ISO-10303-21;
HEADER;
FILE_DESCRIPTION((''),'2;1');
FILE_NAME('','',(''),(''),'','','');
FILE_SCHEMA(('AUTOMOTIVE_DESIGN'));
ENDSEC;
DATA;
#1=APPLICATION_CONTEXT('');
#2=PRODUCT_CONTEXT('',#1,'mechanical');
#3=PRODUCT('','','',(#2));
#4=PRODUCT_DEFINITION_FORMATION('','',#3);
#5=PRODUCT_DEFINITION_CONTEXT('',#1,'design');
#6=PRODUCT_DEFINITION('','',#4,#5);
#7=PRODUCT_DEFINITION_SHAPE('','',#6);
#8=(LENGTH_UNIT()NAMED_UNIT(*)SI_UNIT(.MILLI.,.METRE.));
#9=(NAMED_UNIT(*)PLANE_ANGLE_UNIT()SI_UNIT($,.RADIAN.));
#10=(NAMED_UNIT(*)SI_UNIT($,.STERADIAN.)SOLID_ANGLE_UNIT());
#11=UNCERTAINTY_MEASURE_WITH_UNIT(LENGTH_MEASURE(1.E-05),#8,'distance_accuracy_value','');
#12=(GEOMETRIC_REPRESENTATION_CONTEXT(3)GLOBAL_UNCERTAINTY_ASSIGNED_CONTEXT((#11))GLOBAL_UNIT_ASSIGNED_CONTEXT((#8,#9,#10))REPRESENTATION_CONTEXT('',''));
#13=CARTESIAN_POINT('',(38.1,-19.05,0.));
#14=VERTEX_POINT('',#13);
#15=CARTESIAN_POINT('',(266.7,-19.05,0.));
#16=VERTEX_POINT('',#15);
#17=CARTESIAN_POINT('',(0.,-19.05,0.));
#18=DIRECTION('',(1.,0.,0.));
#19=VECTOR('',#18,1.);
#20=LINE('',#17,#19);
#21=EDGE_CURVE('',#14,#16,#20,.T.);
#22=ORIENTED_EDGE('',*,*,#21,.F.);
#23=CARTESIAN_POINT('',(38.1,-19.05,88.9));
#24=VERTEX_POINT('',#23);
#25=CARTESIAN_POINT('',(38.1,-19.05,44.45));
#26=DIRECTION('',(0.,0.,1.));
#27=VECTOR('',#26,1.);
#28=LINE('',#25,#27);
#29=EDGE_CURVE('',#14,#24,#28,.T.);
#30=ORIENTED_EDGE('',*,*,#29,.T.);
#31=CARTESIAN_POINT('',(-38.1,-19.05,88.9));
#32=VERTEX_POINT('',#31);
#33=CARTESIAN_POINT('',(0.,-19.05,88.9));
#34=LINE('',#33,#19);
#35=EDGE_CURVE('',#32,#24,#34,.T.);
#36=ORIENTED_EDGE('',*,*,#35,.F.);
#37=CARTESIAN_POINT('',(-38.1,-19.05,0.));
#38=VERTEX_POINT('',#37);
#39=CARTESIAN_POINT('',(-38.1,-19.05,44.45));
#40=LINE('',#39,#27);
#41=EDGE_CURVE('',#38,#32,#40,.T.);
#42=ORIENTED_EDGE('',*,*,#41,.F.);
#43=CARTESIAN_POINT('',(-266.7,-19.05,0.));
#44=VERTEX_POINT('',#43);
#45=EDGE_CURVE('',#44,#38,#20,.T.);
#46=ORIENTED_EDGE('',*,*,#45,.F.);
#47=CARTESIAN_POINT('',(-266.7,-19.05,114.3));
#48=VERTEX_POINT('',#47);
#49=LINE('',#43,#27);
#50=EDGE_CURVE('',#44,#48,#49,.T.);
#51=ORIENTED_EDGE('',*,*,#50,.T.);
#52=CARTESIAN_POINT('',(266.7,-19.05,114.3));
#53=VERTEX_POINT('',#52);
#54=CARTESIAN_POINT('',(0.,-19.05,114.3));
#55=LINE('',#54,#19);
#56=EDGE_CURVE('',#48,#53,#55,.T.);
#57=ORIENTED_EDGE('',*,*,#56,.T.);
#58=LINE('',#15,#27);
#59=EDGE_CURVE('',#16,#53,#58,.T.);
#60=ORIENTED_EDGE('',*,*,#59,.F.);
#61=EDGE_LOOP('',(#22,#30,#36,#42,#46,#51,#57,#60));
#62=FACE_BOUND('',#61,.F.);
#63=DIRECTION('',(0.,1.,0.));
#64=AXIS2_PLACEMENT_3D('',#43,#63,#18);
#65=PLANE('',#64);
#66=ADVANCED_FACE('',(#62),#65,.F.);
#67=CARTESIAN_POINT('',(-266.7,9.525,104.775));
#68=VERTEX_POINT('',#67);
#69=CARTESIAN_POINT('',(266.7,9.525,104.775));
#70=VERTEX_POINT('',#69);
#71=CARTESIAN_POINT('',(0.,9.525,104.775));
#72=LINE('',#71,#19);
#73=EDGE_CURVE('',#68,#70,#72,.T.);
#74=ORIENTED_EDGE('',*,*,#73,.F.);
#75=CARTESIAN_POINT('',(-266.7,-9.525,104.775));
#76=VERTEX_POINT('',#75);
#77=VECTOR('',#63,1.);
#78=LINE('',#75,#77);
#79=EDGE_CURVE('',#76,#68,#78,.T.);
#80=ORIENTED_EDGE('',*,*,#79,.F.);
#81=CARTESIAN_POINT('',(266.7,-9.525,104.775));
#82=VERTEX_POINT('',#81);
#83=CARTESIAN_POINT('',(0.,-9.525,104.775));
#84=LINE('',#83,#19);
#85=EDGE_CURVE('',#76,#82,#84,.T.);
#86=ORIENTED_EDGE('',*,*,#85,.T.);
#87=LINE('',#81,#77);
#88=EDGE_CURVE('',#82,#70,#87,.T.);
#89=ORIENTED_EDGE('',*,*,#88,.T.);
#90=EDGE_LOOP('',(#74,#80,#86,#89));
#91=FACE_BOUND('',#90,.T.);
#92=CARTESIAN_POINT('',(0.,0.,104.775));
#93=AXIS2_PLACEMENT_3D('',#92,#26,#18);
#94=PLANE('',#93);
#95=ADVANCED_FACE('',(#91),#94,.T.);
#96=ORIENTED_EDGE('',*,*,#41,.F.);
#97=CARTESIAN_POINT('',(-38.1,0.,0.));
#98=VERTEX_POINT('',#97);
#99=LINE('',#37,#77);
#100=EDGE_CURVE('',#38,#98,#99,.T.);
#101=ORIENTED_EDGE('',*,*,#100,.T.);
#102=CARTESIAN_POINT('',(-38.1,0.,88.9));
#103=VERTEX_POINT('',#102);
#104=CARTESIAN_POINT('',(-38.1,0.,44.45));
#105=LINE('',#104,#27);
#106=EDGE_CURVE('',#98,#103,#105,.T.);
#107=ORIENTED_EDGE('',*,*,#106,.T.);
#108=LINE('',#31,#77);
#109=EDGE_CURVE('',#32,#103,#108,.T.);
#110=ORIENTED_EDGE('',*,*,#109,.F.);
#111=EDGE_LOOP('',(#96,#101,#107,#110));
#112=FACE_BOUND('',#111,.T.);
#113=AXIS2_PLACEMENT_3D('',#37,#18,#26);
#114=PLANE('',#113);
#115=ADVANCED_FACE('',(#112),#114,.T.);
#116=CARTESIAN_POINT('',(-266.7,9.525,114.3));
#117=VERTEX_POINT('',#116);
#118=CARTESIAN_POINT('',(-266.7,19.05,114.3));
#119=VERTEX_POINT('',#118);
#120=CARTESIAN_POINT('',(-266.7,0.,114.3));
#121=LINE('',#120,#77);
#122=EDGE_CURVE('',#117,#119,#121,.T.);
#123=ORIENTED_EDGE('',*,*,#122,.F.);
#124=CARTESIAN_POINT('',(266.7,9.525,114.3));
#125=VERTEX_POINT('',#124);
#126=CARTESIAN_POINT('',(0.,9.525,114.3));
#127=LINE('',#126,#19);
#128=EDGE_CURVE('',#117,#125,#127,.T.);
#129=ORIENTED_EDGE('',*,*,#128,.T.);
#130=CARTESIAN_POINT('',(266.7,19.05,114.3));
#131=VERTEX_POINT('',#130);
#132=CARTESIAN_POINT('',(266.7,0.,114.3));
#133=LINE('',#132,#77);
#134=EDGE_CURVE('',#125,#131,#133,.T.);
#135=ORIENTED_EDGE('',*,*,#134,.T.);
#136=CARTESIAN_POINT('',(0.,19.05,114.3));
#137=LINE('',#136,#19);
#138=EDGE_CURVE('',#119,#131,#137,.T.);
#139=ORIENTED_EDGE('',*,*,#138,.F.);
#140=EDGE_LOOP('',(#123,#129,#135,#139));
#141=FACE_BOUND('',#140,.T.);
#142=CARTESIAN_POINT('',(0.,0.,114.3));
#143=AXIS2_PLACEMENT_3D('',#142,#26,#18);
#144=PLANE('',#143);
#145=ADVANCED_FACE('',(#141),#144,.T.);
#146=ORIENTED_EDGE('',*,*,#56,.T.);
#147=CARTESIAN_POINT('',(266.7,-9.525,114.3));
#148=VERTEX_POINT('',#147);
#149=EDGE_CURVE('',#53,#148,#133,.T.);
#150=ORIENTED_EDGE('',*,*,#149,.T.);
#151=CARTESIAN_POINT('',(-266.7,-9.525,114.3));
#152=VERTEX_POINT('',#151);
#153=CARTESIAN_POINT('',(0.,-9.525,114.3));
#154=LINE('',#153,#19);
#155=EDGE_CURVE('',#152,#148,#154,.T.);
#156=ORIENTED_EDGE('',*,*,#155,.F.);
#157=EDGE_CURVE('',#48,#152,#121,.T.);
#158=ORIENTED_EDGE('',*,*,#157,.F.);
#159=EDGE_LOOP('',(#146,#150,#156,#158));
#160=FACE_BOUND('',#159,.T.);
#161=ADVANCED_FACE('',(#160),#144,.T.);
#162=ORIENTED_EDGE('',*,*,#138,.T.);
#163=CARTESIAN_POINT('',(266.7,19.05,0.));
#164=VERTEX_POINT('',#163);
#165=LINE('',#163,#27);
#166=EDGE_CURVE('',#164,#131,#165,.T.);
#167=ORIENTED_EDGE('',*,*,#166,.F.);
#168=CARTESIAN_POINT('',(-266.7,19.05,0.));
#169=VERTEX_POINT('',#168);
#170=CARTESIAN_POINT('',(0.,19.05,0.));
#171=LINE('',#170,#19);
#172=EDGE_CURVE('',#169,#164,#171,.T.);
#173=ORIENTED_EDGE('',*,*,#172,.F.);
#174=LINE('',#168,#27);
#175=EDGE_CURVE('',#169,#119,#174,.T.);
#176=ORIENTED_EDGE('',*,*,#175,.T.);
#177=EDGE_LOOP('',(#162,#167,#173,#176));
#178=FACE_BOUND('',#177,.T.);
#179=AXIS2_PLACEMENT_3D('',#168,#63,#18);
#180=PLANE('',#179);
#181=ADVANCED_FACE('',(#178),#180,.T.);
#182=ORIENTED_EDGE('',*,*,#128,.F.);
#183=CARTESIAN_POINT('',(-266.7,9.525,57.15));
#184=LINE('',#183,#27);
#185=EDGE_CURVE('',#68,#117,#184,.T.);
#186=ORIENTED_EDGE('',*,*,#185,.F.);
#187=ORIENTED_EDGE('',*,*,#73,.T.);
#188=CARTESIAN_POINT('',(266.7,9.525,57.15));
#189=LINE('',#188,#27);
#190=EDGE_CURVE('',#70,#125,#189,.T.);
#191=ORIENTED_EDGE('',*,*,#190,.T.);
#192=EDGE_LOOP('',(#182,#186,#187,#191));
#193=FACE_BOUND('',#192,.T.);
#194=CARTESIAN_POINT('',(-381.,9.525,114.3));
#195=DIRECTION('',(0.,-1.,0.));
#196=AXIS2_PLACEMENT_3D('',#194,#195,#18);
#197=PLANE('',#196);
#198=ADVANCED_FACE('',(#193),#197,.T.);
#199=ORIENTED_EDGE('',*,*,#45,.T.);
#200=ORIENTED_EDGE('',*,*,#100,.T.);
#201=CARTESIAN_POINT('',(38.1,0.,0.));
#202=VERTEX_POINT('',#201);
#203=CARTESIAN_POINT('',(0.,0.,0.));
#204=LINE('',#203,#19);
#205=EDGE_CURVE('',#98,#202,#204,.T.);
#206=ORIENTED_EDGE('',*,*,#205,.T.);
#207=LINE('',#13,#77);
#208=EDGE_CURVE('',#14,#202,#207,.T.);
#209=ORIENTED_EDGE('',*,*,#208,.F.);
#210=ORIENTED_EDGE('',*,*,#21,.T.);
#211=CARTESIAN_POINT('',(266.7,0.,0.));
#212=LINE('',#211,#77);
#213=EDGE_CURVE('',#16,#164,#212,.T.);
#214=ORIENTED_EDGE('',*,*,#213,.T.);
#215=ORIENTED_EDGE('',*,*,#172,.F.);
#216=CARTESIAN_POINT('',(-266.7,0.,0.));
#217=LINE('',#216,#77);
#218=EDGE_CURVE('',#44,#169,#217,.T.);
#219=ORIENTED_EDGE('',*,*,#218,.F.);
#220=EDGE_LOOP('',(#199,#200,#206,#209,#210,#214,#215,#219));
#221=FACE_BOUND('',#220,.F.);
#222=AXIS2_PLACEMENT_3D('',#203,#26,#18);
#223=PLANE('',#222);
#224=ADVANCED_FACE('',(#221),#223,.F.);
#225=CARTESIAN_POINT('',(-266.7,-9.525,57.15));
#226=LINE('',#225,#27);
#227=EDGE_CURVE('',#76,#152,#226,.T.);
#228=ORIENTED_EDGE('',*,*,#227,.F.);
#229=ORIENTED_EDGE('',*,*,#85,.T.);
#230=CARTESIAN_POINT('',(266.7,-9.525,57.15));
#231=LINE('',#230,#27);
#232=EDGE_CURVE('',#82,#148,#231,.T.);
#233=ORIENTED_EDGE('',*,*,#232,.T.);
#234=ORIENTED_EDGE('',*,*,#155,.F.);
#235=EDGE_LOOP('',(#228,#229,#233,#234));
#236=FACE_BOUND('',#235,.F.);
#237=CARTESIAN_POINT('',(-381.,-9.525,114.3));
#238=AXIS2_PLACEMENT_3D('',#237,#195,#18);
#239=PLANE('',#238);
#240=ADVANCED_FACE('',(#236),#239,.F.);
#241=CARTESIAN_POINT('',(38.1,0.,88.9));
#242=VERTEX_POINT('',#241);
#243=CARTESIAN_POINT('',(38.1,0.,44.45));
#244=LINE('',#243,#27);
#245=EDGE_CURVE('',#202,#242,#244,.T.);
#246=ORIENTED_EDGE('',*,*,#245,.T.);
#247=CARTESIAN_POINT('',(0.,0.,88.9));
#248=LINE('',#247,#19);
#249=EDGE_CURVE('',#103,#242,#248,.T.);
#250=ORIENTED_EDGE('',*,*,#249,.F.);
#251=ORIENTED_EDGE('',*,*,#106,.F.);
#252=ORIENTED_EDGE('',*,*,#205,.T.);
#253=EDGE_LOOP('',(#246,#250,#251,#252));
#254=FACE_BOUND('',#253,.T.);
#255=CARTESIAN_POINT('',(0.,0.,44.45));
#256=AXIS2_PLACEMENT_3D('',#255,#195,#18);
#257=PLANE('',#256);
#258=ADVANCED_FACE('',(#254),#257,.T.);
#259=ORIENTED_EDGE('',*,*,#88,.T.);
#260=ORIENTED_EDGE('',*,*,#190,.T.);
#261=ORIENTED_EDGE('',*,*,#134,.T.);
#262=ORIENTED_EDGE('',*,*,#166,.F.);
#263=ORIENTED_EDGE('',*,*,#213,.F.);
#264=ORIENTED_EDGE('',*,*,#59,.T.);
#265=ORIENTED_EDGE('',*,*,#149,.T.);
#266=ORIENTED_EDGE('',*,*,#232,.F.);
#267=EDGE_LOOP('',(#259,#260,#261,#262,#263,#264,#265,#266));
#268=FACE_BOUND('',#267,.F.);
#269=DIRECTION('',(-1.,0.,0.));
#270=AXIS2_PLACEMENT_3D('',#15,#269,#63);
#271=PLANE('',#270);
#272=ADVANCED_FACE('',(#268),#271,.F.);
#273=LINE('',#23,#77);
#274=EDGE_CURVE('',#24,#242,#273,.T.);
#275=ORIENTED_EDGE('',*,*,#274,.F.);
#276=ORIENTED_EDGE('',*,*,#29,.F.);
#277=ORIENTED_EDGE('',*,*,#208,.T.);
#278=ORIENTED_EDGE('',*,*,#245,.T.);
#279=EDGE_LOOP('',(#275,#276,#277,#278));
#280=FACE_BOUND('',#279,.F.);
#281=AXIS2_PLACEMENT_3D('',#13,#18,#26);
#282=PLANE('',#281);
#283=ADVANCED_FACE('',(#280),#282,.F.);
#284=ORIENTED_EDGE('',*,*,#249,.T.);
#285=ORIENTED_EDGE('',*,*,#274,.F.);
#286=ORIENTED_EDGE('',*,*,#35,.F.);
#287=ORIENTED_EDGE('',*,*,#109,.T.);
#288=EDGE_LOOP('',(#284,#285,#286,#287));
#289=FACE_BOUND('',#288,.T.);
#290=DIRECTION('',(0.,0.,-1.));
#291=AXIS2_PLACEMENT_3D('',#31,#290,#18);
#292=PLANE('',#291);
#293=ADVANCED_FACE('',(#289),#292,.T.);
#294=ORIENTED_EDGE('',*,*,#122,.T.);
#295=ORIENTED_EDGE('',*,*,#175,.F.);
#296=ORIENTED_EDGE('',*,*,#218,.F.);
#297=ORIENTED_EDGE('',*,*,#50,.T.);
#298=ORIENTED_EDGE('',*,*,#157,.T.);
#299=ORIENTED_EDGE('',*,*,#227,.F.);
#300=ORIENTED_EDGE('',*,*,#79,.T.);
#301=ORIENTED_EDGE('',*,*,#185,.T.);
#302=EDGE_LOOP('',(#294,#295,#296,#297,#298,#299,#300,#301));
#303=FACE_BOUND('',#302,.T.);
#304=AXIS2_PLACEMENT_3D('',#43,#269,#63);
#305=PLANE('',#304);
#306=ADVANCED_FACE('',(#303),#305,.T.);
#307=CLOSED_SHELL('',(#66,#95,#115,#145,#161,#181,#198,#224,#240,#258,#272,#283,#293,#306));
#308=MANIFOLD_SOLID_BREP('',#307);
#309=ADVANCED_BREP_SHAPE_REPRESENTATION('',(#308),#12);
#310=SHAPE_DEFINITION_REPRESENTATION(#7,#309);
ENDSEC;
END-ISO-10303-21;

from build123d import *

# Parameters (mm, degrees)
SKETCH_W        = 533.4
SKETCH_H        = 38.1
PAD_DEPTH       = 114.3
SKETCH001_W     = 762
SKETCH001_H     = 19.05
POCKET_DEPTH    = 9.525
SKETCH003_W     = 76.2
SKETCH003_H     = 88.9
POCKET002_DEPTH = 19.05


with BuildPart() as part:
    # Sketch → Pad (new body)
    with BuildSketch(Plane.XY):
        Rectangle(SKETCH_W, SKETCH_H)
    extrude(amount=PAD_DEPTH)

    # Sketch001 (on Face6 of Pad) → Pocket (cut)
    with BuildSketch(Plane.XY.offset(114.3)):
        Rectangle(SKETCH001_W, SKETCH001_H)
    extrude(amount=-POCKET_DEPTH, mode=Mode.SUBTRACT)

    # Sketch003 → Pocket002 (cut)
    with BuildSketch(Plane.XZ.offset(19.05)):
        with Locations((0, 44.45)):
            Rectangle(SKETCH003_W, SKETCH003_H)
    extrude(amount=-POCKET002_DEPTH, mode=Mode.SUBTRACT)


solid = part.part
